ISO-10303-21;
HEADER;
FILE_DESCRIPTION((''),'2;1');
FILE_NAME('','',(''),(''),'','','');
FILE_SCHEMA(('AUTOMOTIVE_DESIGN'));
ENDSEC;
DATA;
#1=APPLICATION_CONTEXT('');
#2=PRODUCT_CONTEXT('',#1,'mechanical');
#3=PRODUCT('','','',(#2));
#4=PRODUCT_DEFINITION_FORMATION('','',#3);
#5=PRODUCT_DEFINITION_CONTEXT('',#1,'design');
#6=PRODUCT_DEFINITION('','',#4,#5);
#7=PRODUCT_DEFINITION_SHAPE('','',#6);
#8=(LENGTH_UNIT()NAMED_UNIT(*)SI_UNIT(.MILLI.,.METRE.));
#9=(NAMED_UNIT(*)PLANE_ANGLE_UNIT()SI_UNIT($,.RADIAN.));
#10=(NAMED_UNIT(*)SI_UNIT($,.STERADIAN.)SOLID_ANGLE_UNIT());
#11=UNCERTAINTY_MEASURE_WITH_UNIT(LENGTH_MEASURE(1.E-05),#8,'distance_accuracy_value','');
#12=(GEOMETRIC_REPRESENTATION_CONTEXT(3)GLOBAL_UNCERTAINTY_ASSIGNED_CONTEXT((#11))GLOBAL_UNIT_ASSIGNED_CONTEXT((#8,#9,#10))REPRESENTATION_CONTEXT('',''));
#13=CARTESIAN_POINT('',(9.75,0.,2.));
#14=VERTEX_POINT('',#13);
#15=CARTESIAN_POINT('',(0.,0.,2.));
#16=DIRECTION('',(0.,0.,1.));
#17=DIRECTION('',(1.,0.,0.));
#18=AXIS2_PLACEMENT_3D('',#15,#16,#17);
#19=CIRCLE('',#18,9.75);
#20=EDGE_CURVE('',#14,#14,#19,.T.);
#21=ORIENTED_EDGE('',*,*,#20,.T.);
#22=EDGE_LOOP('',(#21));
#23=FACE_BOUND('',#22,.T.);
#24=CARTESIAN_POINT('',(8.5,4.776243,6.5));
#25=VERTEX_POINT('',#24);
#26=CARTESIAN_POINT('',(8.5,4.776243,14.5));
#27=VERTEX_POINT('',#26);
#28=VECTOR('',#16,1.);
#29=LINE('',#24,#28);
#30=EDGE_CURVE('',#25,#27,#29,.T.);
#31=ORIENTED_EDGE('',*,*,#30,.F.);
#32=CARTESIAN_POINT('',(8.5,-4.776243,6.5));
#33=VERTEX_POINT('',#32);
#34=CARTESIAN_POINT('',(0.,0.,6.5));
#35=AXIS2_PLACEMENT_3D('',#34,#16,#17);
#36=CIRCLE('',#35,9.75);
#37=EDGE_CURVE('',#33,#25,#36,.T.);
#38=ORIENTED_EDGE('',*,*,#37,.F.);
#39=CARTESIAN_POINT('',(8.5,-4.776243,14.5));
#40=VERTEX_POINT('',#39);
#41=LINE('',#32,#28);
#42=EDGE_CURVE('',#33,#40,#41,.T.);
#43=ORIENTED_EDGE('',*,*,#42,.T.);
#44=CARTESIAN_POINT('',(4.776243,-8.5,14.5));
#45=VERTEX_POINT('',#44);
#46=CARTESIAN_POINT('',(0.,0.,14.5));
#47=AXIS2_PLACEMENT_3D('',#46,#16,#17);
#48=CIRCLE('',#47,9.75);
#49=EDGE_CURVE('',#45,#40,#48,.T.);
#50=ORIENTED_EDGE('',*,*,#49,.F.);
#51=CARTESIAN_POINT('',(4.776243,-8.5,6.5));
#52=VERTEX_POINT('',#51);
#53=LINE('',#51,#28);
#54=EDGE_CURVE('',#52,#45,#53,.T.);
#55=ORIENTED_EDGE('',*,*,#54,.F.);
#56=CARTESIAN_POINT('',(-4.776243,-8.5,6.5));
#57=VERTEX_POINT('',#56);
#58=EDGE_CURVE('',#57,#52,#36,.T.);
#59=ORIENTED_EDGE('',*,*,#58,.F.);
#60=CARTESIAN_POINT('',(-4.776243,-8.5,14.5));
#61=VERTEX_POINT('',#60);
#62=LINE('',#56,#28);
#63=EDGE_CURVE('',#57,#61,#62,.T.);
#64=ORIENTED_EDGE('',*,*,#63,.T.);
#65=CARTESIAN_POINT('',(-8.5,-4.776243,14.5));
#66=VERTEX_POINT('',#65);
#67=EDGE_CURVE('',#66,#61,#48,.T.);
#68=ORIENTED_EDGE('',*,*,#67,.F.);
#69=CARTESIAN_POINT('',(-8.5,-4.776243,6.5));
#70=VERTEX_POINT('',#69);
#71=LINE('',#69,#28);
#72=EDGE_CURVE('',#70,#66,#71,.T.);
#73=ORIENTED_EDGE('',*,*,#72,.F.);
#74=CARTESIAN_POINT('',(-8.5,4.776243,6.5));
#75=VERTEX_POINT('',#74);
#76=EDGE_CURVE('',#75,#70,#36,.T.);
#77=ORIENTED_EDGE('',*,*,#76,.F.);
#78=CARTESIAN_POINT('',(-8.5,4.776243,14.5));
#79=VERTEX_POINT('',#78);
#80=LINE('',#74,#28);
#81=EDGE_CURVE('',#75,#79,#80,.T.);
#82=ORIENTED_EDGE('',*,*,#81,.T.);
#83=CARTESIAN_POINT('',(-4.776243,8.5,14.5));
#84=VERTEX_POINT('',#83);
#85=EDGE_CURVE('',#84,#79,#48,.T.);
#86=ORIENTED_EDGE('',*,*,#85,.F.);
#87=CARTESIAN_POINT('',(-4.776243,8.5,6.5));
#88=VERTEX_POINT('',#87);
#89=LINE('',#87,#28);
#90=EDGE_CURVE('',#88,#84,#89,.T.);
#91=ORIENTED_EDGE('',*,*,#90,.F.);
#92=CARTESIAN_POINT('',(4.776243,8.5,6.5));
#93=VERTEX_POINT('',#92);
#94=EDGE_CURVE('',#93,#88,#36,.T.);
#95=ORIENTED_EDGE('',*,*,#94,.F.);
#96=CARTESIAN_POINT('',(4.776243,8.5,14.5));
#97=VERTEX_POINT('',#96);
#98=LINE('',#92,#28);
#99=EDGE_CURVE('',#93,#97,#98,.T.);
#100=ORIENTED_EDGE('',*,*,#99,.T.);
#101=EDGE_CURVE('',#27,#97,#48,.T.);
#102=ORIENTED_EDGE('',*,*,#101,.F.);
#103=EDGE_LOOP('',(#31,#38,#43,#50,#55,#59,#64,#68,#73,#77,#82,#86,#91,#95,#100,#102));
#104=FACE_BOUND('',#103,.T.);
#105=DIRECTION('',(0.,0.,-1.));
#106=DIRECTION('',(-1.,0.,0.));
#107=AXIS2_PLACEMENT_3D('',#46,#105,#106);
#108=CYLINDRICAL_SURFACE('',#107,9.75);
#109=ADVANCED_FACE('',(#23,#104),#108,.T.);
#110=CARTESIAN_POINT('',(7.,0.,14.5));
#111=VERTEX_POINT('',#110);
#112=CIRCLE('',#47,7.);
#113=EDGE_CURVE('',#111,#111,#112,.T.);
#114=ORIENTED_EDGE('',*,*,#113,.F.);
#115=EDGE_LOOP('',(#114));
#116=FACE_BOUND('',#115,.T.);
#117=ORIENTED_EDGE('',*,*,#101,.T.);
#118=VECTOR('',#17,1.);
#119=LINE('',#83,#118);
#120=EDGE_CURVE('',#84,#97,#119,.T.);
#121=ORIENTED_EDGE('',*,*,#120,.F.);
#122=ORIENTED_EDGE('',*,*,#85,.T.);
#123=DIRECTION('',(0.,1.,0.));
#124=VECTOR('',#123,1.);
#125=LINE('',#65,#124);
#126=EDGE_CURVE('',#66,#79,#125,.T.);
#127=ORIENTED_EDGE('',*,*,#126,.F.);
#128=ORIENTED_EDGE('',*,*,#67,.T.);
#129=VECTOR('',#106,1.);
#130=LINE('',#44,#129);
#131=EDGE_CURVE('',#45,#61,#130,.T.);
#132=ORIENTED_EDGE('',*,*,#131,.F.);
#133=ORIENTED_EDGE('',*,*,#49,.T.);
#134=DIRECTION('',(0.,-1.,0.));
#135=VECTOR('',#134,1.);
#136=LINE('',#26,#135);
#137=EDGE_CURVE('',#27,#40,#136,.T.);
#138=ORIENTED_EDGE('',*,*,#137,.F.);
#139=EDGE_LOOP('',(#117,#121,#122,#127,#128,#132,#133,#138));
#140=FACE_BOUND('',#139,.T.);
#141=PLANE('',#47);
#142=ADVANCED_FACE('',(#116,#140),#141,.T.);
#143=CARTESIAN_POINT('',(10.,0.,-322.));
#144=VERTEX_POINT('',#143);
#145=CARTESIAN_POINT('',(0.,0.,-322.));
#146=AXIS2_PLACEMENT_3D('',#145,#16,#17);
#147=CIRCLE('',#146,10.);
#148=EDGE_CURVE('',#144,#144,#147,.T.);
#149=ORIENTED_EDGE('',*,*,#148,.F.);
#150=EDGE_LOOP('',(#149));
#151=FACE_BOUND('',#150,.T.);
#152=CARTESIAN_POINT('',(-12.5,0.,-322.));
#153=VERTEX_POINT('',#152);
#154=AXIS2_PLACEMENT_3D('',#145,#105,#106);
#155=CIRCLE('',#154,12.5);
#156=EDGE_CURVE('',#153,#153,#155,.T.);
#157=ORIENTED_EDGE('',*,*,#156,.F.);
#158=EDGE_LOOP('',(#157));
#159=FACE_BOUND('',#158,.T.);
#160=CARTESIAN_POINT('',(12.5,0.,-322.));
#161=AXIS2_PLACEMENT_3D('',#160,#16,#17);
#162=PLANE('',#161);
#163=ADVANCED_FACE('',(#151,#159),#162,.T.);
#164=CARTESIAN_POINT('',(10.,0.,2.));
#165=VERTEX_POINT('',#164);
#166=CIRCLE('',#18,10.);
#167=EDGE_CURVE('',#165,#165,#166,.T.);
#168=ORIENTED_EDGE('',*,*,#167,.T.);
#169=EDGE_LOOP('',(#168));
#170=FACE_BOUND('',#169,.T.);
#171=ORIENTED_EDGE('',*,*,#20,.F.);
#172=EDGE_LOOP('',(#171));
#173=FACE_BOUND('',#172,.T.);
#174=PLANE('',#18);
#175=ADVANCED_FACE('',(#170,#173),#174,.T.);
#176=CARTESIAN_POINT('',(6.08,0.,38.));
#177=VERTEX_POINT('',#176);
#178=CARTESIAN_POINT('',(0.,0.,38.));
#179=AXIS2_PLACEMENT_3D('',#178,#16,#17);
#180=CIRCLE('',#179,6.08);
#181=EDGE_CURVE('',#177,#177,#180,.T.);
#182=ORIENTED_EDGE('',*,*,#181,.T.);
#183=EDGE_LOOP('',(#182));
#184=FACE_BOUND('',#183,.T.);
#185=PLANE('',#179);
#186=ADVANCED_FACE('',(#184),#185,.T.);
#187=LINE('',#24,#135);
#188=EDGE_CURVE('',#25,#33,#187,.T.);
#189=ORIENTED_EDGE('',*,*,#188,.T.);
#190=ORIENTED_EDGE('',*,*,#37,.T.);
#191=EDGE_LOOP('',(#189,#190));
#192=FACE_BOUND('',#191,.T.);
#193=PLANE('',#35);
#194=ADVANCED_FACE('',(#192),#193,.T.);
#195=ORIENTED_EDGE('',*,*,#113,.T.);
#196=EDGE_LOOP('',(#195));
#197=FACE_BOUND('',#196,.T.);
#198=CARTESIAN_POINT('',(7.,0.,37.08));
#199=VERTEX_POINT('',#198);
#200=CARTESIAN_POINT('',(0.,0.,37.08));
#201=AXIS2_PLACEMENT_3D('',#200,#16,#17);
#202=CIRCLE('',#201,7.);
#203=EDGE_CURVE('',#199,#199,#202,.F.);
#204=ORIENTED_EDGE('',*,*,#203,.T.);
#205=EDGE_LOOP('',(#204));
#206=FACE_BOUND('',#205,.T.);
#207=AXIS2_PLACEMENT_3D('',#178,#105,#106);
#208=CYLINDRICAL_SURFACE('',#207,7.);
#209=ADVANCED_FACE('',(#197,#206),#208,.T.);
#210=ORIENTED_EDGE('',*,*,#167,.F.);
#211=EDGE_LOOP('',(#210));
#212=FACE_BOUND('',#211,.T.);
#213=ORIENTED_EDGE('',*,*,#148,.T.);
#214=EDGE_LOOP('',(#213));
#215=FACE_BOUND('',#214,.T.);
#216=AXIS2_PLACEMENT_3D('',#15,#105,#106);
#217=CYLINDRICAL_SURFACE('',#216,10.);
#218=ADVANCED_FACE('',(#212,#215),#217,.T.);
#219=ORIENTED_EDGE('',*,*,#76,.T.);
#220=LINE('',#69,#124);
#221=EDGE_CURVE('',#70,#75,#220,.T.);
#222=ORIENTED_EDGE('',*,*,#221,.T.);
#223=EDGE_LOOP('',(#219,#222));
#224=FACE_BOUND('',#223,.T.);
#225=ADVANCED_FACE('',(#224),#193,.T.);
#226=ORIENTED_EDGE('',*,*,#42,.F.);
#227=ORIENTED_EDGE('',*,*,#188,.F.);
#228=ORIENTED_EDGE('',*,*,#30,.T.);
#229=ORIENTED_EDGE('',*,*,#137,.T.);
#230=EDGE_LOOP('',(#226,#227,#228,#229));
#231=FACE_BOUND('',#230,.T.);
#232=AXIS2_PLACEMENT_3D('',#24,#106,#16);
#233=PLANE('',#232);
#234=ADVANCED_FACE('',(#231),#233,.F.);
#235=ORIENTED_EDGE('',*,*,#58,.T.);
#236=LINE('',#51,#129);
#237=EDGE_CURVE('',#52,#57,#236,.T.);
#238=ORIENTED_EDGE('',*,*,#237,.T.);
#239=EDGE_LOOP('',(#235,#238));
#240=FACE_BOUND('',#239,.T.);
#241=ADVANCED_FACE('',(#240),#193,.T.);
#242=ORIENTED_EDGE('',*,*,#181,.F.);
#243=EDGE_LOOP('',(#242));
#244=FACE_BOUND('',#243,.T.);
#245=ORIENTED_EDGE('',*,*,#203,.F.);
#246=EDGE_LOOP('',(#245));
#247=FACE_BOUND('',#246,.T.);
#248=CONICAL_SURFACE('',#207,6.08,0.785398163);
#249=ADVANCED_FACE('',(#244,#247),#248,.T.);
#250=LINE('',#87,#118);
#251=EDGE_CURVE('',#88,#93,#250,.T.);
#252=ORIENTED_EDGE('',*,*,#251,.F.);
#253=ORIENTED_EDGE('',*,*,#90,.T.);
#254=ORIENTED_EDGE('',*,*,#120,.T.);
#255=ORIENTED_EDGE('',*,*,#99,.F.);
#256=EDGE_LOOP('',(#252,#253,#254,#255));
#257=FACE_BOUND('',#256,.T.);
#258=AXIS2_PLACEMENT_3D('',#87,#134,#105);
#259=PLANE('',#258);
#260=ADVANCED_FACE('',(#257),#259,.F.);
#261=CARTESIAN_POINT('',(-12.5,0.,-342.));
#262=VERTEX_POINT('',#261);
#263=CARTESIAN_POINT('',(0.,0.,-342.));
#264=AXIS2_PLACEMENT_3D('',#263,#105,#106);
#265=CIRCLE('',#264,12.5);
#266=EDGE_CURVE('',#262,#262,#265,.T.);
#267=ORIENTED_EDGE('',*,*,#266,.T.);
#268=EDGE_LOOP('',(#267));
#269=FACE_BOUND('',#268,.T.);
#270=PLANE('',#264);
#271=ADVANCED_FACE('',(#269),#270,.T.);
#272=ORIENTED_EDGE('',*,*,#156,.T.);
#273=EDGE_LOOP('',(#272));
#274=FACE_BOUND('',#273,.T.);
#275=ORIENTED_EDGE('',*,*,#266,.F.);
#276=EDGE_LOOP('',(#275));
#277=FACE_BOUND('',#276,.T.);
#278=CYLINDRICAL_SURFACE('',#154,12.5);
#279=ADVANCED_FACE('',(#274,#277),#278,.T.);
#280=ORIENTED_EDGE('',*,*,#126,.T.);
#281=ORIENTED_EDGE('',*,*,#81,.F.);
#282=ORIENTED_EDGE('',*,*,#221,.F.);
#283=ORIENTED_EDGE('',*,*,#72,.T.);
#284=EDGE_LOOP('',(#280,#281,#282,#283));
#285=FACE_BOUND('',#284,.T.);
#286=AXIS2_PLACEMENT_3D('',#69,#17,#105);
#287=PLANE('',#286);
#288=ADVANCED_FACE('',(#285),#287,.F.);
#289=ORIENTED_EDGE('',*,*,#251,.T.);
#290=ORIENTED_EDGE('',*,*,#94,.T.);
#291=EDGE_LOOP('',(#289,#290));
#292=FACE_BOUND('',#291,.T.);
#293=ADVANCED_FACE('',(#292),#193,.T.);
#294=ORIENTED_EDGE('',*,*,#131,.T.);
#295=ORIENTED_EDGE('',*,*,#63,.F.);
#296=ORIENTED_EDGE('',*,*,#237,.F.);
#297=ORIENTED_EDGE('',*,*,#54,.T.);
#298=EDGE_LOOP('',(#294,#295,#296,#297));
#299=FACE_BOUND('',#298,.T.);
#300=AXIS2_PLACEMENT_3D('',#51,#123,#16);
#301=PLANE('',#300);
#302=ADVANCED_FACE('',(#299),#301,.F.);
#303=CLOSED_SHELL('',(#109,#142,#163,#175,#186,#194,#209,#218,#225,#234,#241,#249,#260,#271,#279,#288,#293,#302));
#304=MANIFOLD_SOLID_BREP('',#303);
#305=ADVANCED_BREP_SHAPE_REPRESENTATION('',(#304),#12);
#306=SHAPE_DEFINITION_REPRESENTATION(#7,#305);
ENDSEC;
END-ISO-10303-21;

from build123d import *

# Parameters (mm, degrees)
SKETCH1_W           = 12.5
SKETCH1_H           = 20
SKETCH2_R           = 10
BOSS_EXTRUDE1_DEPTH = 324
SKETCH3_R           = 9.75
BOSS_EXTRUDE2_DEPTH = 12.5
CUT_EXTRUDE1_START  = -8
CUT_EXTRUDE1_DEPTH  = 8
CUT_EXTRUDE2_START  = -8
CUT_EXTRUDE2_DEPTH  = 8
CUT_EXTRUDE3_START  = -8
CUT_EXTRUDE3_DEPTH  = 8
CUT_EXTRUDE4_START  = -8
CUT_EXTRUDE4_DEPTH  = 8
SKETCH8_R           = 7
BOSS_EXTRUDE3_DEPTH = 23.5
CHAMFER1_SIZE       = 0.92


with BuildPart() as part:
    # Sketch1 → Revolve1 (revolve)
    with BuildSketch(Plane.XZ, mode=Mode.PRIVATE) as revolve1_sk:
        with Locations((6.25, -332)):
            Rectangle(SKETCH1_W, SKETCH1_H)
    revolve(revolve1_sk.sketch.rotate(Axis((0, 0, -322), (0, 0, -1)), 180), axis=Axis((0, 0, -322), (0, 0, -1)))

    # Sketch2 → Boss-Extrude1 (add)
    with BuildSketch(Plane.XY.offset(-322)):
        Circle(SKETCH2_R)
    extrude(amount=BOSS_EXTRUDE1_DEPTH)

    # Sketch3 → Boss-Extrude2 (add)
    with BuildSketch(Plane.XY.offset(2)):
        Circle(SKETCH3_R)
    extrude(amount=BOSS_EXTRUDE2_DEPTH)

    # Sketch4 → Cut-Extrude1 (cut)
    with BuildSketch(Plane.XY.offset(14.5).offset(CUT_EXTRUDE1_START)):
        with BuildLine():
            Line((-8.5, -4.776243294), (-8.5, 4.776243294))
            ThreePointArc((-8.5, 4.776243294), (-9.75, 0), (-8.5, -4.776243294))
        make_face()
    extrude(amount=CUT_EXTRUDE1_DEPTH, mode=Mode.SUBTRACT)

    # Sketch5 → Cut-Extrude2 (cut)
    with BuildSketch(Plane.XY.offset(14.5).offset(CUT_EXTRUDE2_START)):
        with BuildLine():
            Line((4.776243294, -8.5), (-4.776243294, -8.5))
            ThreePointArc((-4.776243294, -8.5), (0, -9.75), (4.776243294, -8.5))
        make_face()
    extrude(amount=CUT_EXTRUDE2_DEPTH, mode=Mode.SUBTRACT)

    # Sketch6 → Cut-Extrude3 (cut)
    with BuildSketch(Plane.XY.offset(14.5).offset(CUT_EXTRUDE3_START)):
        with BuildLine():
            Line((8.5, 4.776243294), (8.5, -4.776243294))
            ThreePointArc((8.5, -4.776243294), (9.75, 0), (8.5, 4.776243294))
        make_face()
    extrude(amount=CUT_EXTRUDE3_DEPTH, mode=Mode.SUBTRACT)

    # Sketch7 → Cut-Extrude4 (cut)
    with BuildSketch(Plane.XY.offset(14.5).offset(CUT_EXTRUDE4_START)):
        with BuildLine():
            Line((-4.776243294, 8.5), (4.776243294, 8.5))
            ThreePointArc((4.776243294, 8.5), (0, 9.75), (-4.776243294, 8.5))
        make_face()
    extrude(amount=CUT_EXTRUDE4_DEPTH, mode=Mode.SUBTRACT)

    # Sketch8 → Boss-Extrude3 (add)
    with BuildSketch(Plane.XY.offset(14.5)):
        Circle(SKETCH8_R)
    extrude(amount=BOSS_EXTRUDE3_DEPTH)

    # Chamfer1
    chamfer1_edges = [part.edges().sort_by_distance(p)[0] for p in [
        (-7, 0, 38),
    ]]
    chamfer(chamfer1_edges, length=CHAMFER1_SIZE)


solid = part.part
